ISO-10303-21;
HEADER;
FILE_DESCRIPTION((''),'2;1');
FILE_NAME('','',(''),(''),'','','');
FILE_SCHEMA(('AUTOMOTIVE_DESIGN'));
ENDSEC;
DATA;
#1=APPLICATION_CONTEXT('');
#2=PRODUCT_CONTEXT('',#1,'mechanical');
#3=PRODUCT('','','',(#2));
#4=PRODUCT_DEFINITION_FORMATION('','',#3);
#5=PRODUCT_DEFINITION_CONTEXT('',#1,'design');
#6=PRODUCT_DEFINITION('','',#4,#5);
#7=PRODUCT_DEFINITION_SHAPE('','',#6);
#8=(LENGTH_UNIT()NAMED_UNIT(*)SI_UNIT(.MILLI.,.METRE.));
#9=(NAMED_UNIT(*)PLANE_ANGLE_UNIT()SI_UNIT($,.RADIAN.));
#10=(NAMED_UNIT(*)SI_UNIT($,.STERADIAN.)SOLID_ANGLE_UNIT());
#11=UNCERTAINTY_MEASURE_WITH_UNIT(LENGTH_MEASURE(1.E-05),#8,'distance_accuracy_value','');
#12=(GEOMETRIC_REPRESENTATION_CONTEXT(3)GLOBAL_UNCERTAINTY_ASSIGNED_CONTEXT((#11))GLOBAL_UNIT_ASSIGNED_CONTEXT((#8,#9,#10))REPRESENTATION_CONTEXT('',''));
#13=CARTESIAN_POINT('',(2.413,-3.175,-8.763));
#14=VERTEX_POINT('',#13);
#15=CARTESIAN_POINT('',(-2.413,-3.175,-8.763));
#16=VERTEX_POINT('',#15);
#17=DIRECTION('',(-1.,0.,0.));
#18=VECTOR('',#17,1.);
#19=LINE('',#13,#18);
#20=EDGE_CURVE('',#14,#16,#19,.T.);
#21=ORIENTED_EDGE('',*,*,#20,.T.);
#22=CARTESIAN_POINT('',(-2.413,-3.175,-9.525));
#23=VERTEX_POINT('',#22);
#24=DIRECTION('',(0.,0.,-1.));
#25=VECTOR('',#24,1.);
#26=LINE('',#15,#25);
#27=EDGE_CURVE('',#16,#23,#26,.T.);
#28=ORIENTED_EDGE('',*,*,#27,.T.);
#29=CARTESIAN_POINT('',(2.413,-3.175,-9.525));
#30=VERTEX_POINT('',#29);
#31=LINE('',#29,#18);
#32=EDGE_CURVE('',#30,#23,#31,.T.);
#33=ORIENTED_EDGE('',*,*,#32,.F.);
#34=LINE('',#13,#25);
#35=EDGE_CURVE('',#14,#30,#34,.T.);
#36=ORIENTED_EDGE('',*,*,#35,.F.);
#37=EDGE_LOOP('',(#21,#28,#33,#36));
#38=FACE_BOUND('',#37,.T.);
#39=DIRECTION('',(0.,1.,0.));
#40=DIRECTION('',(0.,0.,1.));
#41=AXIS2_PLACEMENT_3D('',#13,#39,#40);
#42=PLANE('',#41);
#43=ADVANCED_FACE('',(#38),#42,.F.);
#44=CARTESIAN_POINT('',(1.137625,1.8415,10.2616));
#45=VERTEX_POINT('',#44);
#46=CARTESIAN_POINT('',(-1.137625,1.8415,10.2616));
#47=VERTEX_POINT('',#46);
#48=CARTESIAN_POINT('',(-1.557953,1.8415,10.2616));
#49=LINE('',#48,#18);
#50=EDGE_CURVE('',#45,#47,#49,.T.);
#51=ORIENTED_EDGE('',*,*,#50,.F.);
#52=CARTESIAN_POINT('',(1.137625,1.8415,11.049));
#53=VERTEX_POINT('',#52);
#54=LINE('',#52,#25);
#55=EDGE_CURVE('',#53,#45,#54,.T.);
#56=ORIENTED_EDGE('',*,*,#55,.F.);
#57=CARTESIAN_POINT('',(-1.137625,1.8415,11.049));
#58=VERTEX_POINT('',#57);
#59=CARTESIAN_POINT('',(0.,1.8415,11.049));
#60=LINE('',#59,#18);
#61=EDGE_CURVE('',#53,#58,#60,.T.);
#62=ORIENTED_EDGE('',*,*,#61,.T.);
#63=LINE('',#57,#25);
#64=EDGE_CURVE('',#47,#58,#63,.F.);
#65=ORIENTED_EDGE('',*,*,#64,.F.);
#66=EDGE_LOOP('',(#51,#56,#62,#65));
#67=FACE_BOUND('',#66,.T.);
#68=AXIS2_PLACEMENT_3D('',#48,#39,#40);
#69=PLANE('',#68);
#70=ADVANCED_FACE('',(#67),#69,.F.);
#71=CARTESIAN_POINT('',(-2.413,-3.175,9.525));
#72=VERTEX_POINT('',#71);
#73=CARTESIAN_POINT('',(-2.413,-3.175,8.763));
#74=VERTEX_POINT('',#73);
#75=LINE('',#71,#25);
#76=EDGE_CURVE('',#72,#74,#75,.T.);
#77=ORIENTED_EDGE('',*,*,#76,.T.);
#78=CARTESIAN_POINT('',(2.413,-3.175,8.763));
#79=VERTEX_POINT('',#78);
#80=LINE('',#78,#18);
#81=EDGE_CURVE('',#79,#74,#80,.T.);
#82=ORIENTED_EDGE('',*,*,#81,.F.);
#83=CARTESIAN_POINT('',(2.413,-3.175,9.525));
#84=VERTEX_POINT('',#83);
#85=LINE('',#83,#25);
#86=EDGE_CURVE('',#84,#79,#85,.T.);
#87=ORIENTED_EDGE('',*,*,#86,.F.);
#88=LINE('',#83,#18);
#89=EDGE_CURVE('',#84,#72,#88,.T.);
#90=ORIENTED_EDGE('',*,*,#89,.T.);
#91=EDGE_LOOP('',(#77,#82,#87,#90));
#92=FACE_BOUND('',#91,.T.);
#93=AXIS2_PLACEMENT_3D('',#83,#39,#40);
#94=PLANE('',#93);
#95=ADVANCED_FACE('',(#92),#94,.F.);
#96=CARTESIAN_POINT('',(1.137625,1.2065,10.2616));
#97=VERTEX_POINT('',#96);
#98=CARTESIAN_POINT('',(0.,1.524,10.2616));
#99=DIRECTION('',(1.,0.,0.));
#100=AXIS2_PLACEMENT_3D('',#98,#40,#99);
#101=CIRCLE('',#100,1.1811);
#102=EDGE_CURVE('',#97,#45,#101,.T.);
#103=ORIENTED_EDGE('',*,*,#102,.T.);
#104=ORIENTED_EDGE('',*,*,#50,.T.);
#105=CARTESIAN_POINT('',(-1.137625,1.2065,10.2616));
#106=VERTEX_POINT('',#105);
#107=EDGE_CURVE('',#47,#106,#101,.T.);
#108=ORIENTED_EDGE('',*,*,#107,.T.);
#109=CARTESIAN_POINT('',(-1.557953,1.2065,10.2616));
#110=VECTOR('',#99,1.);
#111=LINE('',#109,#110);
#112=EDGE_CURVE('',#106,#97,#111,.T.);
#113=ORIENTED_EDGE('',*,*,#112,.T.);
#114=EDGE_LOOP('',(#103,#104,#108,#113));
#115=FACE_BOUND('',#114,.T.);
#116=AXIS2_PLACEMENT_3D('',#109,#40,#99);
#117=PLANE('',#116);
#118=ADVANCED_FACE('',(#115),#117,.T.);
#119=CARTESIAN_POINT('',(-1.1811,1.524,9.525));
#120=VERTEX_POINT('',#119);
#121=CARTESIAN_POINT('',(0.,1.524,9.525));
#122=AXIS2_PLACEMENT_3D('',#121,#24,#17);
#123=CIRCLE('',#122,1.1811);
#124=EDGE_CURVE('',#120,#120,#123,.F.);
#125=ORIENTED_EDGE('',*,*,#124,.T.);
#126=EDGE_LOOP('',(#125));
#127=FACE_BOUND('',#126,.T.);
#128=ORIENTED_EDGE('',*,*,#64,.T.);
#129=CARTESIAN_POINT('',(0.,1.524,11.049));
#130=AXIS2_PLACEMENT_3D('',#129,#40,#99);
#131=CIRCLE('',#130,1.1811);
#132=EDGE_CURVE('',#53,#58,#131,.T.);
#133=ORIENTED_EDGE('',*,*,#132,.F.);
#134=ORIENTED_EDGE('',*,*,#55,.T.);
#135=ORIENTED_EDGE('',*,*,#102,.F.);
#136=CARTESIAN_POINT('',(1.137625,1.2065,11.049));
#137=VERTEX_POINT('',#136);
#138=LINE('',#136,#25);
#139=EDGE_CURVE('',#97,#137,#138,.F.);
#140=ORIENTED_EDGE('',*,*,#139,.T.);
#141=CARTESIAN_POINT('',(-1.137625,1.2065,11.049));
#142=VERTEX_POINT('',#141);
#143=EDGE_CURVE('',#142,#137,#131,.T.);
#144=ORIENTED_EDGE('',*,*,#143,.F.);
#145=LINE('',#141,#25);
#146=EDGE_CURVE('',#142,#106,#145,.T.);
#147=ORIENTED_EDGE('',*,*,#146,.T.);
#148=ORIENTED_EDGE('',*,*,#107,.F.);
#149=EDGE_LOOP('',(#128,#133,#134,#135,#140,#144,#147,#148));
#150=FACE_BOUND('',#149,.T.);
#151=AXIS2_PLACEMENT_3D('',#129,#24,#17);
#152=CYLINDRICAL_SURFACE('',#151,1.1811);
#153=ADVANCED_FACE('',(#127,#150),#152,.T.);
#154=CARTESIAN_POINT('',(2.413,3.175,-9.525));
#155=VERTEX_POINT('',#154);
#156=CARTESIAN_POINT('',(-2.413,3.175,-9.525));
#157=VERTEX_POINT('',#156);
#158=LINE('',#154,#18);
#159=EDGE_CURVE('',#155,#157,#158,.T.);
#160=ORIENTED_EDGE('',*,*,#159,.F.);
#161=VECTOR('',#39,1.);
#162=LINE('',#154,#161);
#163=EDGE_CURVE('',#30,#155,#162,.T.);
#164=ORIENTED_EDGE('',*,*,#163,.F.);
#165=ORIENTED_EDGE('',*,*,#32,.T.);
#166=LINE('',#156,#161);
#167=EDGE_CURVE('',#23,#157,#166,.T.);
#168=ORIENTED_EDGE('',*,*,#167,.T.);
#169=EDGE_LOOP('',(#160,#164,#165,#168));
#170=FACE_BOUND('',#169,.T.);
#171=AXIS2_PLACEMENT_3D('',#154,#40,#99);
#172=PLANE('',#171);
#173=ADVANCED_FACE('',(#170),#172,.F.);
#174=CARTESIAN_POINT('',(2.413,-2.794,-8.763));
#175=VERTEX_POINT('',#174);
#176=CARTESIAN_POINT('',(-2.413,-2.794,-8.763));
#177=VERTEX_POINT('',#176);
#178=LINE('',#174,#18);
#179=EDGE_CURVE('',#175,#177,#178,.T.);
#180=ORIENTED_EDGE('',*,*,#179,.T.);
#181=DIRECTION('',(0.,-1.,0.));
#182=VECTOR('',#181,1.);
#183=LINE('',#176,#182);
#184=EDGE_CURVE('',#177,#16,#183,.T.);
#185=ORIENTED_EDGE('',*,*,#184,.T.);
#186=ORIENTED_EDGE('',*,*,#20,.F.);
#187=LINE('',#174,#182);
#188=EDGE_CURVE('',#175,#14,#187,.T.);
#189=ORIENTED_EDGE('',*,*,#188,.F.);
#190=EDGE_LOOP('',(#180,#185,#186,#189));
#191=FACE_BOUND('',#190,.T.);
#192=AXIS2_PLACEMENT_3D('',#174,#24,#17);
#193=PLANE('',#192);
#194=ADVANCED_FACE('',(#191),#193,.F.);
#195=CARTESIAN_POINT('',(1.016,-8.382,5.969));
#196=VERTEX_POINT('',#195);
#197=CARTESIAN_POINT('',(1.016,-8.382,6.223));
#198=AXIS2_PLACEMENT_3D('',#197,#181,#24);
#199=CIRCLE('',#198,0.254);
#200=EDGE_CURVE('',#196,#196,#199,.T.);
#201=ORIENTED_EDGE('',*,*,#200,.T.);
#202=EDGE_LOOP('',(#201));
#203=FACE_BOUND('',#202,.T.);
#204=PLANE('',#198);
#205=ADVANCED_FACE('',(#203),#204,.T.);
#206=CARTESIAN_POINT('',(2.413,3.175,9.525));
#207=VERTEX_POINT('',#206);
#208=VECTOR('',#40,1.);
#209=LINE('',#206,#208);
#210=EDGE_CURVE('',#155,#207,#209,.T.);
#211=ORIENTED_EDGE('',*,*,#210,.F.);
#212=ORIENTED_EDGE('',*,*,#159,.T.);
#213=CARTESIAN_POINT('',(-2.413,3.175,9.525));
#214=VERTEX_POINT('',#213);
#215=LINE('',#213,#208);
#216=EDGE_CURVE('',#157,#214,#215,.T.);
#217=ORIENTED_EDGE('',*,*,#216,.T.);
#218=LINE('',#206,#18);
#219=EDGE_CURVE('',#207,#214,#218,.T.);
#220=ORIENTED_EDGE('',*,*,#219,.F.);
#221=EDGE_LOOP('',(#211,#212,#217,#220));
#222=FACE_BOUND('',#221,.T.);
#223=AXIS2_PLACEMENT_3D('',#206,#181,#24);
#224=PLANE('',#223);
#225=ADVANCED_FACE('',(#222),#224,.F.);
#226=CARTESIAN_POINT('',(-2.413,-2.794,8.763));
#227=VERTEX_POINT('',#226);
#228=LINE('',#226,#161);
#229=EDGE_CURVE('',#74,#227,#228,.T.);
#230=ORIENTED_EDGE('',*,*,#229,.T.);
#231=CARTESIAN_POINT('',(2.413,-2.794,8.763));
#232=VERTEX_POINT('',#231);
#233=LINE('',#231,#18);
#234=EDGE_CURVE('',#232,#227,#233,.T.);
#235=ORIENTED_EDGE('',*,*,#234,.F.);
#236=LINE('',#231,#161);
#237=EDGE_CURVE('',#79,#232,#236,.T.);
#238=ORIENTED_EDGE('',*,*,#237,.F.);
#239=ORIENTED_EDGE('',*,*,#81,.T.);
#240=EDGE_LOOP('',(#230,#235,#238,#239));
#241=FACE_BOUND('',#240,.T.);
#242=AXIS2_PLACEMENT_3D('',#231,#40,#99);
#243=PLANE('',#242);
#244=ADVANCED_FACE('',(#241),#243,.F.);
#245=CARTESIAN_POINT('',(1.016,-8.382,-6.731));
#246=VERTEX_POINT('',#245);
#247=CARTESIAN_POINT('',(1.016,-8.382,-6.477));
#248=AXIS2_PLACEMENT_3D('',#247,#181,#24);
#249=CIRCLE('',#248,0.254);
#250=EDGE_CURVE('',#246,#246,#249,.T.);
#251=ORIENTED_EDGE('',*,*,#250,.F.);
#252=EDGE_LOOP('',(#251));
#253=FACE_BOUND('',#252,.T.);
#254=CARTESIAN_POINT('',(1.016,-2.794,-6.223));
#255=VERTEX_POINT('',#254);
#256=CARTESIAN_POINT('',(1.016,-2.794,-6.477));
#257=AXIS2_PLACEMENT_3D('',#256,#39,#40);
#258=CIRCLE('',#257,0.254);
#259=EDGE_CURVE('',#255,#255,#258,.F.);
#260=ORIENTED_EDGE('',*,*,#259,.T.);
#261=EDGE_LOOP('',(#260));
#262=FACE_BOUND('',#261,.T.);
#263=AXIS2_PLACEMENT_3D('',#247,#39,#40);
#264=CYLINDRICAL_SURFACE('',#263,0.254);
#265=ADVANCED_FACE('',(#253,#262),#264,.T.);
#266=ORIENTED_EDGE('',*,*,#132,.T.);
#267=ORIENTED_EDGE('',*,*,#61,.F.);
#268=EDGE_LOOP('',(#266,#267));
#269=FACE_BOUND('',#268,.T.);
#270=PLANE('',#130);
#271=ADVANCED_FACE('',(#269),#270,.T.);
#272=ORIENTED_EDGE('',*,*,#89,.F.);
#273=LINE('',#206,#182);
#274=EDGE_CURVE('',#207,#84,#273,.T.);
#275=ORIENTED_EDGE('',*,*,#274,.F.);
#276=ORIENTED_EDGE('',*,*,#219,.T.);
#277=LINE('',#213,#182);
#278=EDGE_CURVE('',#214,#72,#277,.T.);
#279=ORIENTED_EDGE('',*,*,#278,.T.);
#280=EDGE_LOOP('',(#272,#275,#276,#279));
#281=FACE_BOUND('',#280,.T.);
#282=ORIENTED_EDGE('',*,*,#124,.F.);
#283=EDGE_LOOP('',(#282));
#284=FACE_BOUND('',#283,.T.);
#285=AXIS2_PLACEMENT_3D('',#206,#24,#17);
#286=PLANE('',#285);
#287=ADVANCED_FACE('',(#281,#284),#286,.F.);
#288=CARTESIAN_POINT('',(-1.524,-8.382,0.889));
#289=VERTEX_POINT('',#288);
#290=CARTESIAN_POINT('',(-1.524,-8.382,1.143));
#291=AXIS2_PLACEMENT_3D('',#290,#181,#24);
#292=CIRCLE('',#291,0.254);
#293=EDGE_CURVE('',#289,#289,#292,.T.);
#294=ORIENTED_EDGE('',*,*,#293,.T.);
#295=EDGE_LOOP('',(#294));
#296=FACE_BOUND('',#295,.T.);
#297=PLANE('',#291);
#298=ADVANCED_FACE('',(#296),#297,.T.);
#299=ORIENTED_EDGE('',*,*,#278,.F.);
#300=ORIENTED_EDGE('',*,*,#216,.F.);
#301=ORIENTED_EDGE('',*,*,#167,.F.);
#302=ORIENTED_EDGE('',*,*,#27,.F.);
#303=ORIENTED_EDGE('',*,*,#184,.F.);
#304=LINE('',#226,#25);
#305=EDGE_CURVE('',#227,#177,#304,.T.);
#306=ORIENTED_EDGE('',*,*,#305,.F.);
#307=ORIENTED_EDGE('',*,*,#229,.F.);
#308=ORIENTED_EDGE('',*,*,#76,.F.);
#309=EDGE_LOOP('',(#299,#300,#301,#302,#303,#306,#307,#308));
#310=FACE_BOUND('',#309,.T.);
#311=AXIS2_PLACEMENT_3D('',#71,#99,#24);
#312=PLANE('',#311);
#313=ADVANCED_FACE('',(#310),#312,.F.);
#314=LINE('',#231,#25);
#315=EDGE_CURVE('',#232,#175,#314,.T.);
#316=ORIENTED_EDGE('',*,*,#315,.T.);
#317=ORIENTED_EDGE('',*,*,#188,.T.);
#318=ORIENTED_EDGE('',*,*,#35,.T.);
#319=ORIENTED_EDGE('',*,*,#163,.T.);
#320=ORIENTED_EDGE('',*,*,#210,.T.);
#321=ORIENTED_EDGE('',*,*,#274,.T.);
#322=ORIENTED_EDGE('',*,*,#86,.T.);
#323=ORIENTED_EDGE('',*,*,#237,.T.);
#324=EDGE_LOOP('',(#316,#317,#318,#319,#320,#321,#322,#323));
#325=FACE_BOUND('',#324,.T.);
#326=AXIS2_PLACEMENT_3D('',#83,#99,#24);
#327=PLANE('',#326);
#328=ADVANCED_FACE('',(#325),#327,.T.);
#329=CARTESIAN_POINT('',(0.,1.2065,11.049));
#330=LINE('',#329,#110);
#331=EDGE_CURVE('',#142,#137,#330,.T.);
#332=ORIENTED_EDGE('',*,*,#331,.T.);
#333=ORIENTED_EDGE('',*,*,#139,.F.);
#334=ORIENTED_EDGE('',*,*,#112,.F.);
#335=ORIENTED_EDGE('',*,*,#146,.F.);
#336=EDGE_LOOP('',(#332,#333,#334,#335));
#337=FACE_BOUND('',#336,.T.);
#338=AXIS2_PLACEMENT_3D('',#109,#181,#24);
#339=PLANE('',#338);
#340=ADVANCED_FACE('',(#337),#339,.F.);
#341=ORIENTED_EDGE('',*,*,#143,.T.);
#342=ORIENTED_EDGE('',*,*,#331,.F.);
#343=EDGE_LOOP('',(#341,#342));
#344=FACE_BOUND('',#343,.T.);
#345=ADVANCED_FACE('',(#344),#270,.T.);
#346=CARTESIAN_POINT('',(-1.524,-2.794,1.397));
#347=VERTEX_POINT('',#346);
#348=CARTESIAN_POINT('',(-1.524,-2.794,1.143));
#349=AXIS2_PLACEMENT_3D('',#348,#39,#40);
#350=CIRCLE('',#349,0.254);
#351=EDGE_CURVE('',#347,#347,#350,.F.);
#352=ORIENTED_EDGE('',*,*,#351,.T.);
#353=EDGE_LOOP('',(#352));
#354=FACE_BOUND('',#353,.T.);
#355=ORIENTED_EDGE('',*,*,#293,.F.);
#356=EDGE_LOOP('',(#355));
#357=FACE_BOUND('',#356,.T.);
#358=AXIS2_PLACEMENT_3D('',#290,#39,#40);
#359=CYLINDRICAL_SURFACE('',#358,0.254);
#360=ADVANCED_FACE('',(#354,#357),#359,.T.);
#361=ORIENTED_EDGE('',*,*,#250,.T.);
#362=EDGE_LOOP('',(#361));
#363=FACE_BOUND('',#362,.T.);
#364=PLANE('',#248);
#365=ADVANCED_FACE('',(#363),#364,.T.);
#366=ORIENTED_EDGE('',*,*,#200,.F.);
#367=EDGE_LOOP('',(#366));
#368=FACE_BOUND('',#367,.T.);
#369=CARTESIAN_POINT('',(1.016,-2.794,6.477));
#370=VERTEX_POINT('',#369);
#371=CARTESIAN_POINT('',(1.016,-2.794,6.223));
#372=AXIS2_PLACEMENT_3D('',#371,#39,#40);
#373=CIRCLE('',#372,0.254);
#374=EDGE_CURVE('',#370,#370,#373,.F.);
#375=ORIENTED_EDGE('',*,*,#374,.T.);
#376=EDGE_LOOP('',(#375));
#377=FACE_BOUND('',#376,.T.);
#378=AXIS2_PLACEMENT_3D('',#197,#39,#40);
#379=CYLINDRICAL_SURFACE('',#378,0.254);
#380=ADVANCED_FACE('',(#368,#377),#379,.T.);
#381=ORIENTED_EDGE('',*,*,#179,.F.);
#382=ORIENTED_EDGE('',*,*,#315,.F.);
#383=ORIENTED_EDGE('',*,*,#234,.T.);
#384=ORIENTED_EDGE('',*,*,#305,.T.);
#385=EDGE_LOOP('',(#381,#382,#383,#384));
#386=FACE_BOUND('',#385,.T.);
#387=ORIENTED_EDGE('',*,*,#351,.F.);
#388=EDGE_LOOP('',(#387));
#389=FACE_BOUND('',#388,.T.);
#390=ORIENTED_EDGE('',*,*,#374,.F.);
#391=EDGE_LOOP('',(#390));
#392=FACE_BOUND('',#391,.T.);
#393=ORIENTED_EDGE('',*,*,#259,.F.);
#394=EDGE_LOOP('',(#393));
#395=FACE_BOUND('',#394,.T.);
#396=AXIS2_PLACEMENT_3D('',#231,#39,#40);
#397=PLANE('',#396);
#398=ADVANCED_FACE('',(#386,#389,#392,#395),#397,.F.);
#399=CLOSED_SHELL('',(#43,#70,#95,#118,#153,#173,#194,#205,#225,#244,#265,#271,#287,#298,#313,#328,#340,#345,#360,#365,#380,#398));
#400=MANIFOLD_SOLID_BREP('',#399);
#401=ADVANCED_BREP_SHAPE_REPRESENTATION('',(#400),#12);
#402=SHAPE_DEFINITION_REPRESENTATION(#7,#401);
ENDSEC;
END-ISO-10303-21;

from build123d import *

# Parameters (mm, degrees)
EXTRUDE1_DEPTH     = 2.413
SKETCH2_R          = 1.1811
EXTRUDE2_DEPTH     = 1.524
SKETCH3_W          = 3.103966911
SKETCH3_H          = 0.635
CUT_EXTRUDE1_DEPTH = 0.7874
SKETCH4_R          = 0.254
EXTRUDE3_DEPTH     = 5.588


with BuildPart() as part:
    # Sketch1 → Extrude1 (new, symmetric)
    with BuildSketch(Plane(origin=(0, 0, 0), x_dir=(0, 0, -1), z_dir=(1, 0, 0))):
        Polygon((-9.525, 3.175), (9.525, 3.175), (9.525, -3.175), (8.763, -3.175), (8.763, -2.794), (-8.763, -2.794), (-8.763, -3.175), (-9.525, -3.175), align=None)
    extrude(amount=EXTRUDE1_DEPTH, both=True)

    # Sketch2 → Extrude2 (add)
    with BuildSketch(Plane.XY.offset(9.525)):
        with Locations(Location((0, 1.524, 0), (0, 0, 180))):
            Circle(SKETCH2_R)
    extrude(amount=EXTRUDE2_DEPTH)

    # Sketch3 → Cut-Extrude1 (cut)
    with BuildSketch(Plane.XY.offset(11.049)):
        with Locations((-0.005969167, 1.524)):
            Rectangle(SKETCH3_W, SKETCH3_H)
    extrude(amount=-CUT_EXTRUDE1_DEPTH, mode=Mode.SUBTRACT)

    # Sketch4 → Extrude3 (add)
    with BuildSketch(Plane.XZ.offset(2.794)):
        with Locations(Location((1.016, 6.223, 0), (0, 0, 90))):
            Circle(SKETCH4_R)
        with Locations(Location((-1.524, 1.143, 0), (0, 0, 90))):
            Circle(SKETCH4_R)
        with Locations(Location((1.016, -6.477, 0), (0, 0, 90))):
            Circle(SKETCH4_R)
    extrude(amount=EXTRUDE3_DEPTH)


solid = part.part
